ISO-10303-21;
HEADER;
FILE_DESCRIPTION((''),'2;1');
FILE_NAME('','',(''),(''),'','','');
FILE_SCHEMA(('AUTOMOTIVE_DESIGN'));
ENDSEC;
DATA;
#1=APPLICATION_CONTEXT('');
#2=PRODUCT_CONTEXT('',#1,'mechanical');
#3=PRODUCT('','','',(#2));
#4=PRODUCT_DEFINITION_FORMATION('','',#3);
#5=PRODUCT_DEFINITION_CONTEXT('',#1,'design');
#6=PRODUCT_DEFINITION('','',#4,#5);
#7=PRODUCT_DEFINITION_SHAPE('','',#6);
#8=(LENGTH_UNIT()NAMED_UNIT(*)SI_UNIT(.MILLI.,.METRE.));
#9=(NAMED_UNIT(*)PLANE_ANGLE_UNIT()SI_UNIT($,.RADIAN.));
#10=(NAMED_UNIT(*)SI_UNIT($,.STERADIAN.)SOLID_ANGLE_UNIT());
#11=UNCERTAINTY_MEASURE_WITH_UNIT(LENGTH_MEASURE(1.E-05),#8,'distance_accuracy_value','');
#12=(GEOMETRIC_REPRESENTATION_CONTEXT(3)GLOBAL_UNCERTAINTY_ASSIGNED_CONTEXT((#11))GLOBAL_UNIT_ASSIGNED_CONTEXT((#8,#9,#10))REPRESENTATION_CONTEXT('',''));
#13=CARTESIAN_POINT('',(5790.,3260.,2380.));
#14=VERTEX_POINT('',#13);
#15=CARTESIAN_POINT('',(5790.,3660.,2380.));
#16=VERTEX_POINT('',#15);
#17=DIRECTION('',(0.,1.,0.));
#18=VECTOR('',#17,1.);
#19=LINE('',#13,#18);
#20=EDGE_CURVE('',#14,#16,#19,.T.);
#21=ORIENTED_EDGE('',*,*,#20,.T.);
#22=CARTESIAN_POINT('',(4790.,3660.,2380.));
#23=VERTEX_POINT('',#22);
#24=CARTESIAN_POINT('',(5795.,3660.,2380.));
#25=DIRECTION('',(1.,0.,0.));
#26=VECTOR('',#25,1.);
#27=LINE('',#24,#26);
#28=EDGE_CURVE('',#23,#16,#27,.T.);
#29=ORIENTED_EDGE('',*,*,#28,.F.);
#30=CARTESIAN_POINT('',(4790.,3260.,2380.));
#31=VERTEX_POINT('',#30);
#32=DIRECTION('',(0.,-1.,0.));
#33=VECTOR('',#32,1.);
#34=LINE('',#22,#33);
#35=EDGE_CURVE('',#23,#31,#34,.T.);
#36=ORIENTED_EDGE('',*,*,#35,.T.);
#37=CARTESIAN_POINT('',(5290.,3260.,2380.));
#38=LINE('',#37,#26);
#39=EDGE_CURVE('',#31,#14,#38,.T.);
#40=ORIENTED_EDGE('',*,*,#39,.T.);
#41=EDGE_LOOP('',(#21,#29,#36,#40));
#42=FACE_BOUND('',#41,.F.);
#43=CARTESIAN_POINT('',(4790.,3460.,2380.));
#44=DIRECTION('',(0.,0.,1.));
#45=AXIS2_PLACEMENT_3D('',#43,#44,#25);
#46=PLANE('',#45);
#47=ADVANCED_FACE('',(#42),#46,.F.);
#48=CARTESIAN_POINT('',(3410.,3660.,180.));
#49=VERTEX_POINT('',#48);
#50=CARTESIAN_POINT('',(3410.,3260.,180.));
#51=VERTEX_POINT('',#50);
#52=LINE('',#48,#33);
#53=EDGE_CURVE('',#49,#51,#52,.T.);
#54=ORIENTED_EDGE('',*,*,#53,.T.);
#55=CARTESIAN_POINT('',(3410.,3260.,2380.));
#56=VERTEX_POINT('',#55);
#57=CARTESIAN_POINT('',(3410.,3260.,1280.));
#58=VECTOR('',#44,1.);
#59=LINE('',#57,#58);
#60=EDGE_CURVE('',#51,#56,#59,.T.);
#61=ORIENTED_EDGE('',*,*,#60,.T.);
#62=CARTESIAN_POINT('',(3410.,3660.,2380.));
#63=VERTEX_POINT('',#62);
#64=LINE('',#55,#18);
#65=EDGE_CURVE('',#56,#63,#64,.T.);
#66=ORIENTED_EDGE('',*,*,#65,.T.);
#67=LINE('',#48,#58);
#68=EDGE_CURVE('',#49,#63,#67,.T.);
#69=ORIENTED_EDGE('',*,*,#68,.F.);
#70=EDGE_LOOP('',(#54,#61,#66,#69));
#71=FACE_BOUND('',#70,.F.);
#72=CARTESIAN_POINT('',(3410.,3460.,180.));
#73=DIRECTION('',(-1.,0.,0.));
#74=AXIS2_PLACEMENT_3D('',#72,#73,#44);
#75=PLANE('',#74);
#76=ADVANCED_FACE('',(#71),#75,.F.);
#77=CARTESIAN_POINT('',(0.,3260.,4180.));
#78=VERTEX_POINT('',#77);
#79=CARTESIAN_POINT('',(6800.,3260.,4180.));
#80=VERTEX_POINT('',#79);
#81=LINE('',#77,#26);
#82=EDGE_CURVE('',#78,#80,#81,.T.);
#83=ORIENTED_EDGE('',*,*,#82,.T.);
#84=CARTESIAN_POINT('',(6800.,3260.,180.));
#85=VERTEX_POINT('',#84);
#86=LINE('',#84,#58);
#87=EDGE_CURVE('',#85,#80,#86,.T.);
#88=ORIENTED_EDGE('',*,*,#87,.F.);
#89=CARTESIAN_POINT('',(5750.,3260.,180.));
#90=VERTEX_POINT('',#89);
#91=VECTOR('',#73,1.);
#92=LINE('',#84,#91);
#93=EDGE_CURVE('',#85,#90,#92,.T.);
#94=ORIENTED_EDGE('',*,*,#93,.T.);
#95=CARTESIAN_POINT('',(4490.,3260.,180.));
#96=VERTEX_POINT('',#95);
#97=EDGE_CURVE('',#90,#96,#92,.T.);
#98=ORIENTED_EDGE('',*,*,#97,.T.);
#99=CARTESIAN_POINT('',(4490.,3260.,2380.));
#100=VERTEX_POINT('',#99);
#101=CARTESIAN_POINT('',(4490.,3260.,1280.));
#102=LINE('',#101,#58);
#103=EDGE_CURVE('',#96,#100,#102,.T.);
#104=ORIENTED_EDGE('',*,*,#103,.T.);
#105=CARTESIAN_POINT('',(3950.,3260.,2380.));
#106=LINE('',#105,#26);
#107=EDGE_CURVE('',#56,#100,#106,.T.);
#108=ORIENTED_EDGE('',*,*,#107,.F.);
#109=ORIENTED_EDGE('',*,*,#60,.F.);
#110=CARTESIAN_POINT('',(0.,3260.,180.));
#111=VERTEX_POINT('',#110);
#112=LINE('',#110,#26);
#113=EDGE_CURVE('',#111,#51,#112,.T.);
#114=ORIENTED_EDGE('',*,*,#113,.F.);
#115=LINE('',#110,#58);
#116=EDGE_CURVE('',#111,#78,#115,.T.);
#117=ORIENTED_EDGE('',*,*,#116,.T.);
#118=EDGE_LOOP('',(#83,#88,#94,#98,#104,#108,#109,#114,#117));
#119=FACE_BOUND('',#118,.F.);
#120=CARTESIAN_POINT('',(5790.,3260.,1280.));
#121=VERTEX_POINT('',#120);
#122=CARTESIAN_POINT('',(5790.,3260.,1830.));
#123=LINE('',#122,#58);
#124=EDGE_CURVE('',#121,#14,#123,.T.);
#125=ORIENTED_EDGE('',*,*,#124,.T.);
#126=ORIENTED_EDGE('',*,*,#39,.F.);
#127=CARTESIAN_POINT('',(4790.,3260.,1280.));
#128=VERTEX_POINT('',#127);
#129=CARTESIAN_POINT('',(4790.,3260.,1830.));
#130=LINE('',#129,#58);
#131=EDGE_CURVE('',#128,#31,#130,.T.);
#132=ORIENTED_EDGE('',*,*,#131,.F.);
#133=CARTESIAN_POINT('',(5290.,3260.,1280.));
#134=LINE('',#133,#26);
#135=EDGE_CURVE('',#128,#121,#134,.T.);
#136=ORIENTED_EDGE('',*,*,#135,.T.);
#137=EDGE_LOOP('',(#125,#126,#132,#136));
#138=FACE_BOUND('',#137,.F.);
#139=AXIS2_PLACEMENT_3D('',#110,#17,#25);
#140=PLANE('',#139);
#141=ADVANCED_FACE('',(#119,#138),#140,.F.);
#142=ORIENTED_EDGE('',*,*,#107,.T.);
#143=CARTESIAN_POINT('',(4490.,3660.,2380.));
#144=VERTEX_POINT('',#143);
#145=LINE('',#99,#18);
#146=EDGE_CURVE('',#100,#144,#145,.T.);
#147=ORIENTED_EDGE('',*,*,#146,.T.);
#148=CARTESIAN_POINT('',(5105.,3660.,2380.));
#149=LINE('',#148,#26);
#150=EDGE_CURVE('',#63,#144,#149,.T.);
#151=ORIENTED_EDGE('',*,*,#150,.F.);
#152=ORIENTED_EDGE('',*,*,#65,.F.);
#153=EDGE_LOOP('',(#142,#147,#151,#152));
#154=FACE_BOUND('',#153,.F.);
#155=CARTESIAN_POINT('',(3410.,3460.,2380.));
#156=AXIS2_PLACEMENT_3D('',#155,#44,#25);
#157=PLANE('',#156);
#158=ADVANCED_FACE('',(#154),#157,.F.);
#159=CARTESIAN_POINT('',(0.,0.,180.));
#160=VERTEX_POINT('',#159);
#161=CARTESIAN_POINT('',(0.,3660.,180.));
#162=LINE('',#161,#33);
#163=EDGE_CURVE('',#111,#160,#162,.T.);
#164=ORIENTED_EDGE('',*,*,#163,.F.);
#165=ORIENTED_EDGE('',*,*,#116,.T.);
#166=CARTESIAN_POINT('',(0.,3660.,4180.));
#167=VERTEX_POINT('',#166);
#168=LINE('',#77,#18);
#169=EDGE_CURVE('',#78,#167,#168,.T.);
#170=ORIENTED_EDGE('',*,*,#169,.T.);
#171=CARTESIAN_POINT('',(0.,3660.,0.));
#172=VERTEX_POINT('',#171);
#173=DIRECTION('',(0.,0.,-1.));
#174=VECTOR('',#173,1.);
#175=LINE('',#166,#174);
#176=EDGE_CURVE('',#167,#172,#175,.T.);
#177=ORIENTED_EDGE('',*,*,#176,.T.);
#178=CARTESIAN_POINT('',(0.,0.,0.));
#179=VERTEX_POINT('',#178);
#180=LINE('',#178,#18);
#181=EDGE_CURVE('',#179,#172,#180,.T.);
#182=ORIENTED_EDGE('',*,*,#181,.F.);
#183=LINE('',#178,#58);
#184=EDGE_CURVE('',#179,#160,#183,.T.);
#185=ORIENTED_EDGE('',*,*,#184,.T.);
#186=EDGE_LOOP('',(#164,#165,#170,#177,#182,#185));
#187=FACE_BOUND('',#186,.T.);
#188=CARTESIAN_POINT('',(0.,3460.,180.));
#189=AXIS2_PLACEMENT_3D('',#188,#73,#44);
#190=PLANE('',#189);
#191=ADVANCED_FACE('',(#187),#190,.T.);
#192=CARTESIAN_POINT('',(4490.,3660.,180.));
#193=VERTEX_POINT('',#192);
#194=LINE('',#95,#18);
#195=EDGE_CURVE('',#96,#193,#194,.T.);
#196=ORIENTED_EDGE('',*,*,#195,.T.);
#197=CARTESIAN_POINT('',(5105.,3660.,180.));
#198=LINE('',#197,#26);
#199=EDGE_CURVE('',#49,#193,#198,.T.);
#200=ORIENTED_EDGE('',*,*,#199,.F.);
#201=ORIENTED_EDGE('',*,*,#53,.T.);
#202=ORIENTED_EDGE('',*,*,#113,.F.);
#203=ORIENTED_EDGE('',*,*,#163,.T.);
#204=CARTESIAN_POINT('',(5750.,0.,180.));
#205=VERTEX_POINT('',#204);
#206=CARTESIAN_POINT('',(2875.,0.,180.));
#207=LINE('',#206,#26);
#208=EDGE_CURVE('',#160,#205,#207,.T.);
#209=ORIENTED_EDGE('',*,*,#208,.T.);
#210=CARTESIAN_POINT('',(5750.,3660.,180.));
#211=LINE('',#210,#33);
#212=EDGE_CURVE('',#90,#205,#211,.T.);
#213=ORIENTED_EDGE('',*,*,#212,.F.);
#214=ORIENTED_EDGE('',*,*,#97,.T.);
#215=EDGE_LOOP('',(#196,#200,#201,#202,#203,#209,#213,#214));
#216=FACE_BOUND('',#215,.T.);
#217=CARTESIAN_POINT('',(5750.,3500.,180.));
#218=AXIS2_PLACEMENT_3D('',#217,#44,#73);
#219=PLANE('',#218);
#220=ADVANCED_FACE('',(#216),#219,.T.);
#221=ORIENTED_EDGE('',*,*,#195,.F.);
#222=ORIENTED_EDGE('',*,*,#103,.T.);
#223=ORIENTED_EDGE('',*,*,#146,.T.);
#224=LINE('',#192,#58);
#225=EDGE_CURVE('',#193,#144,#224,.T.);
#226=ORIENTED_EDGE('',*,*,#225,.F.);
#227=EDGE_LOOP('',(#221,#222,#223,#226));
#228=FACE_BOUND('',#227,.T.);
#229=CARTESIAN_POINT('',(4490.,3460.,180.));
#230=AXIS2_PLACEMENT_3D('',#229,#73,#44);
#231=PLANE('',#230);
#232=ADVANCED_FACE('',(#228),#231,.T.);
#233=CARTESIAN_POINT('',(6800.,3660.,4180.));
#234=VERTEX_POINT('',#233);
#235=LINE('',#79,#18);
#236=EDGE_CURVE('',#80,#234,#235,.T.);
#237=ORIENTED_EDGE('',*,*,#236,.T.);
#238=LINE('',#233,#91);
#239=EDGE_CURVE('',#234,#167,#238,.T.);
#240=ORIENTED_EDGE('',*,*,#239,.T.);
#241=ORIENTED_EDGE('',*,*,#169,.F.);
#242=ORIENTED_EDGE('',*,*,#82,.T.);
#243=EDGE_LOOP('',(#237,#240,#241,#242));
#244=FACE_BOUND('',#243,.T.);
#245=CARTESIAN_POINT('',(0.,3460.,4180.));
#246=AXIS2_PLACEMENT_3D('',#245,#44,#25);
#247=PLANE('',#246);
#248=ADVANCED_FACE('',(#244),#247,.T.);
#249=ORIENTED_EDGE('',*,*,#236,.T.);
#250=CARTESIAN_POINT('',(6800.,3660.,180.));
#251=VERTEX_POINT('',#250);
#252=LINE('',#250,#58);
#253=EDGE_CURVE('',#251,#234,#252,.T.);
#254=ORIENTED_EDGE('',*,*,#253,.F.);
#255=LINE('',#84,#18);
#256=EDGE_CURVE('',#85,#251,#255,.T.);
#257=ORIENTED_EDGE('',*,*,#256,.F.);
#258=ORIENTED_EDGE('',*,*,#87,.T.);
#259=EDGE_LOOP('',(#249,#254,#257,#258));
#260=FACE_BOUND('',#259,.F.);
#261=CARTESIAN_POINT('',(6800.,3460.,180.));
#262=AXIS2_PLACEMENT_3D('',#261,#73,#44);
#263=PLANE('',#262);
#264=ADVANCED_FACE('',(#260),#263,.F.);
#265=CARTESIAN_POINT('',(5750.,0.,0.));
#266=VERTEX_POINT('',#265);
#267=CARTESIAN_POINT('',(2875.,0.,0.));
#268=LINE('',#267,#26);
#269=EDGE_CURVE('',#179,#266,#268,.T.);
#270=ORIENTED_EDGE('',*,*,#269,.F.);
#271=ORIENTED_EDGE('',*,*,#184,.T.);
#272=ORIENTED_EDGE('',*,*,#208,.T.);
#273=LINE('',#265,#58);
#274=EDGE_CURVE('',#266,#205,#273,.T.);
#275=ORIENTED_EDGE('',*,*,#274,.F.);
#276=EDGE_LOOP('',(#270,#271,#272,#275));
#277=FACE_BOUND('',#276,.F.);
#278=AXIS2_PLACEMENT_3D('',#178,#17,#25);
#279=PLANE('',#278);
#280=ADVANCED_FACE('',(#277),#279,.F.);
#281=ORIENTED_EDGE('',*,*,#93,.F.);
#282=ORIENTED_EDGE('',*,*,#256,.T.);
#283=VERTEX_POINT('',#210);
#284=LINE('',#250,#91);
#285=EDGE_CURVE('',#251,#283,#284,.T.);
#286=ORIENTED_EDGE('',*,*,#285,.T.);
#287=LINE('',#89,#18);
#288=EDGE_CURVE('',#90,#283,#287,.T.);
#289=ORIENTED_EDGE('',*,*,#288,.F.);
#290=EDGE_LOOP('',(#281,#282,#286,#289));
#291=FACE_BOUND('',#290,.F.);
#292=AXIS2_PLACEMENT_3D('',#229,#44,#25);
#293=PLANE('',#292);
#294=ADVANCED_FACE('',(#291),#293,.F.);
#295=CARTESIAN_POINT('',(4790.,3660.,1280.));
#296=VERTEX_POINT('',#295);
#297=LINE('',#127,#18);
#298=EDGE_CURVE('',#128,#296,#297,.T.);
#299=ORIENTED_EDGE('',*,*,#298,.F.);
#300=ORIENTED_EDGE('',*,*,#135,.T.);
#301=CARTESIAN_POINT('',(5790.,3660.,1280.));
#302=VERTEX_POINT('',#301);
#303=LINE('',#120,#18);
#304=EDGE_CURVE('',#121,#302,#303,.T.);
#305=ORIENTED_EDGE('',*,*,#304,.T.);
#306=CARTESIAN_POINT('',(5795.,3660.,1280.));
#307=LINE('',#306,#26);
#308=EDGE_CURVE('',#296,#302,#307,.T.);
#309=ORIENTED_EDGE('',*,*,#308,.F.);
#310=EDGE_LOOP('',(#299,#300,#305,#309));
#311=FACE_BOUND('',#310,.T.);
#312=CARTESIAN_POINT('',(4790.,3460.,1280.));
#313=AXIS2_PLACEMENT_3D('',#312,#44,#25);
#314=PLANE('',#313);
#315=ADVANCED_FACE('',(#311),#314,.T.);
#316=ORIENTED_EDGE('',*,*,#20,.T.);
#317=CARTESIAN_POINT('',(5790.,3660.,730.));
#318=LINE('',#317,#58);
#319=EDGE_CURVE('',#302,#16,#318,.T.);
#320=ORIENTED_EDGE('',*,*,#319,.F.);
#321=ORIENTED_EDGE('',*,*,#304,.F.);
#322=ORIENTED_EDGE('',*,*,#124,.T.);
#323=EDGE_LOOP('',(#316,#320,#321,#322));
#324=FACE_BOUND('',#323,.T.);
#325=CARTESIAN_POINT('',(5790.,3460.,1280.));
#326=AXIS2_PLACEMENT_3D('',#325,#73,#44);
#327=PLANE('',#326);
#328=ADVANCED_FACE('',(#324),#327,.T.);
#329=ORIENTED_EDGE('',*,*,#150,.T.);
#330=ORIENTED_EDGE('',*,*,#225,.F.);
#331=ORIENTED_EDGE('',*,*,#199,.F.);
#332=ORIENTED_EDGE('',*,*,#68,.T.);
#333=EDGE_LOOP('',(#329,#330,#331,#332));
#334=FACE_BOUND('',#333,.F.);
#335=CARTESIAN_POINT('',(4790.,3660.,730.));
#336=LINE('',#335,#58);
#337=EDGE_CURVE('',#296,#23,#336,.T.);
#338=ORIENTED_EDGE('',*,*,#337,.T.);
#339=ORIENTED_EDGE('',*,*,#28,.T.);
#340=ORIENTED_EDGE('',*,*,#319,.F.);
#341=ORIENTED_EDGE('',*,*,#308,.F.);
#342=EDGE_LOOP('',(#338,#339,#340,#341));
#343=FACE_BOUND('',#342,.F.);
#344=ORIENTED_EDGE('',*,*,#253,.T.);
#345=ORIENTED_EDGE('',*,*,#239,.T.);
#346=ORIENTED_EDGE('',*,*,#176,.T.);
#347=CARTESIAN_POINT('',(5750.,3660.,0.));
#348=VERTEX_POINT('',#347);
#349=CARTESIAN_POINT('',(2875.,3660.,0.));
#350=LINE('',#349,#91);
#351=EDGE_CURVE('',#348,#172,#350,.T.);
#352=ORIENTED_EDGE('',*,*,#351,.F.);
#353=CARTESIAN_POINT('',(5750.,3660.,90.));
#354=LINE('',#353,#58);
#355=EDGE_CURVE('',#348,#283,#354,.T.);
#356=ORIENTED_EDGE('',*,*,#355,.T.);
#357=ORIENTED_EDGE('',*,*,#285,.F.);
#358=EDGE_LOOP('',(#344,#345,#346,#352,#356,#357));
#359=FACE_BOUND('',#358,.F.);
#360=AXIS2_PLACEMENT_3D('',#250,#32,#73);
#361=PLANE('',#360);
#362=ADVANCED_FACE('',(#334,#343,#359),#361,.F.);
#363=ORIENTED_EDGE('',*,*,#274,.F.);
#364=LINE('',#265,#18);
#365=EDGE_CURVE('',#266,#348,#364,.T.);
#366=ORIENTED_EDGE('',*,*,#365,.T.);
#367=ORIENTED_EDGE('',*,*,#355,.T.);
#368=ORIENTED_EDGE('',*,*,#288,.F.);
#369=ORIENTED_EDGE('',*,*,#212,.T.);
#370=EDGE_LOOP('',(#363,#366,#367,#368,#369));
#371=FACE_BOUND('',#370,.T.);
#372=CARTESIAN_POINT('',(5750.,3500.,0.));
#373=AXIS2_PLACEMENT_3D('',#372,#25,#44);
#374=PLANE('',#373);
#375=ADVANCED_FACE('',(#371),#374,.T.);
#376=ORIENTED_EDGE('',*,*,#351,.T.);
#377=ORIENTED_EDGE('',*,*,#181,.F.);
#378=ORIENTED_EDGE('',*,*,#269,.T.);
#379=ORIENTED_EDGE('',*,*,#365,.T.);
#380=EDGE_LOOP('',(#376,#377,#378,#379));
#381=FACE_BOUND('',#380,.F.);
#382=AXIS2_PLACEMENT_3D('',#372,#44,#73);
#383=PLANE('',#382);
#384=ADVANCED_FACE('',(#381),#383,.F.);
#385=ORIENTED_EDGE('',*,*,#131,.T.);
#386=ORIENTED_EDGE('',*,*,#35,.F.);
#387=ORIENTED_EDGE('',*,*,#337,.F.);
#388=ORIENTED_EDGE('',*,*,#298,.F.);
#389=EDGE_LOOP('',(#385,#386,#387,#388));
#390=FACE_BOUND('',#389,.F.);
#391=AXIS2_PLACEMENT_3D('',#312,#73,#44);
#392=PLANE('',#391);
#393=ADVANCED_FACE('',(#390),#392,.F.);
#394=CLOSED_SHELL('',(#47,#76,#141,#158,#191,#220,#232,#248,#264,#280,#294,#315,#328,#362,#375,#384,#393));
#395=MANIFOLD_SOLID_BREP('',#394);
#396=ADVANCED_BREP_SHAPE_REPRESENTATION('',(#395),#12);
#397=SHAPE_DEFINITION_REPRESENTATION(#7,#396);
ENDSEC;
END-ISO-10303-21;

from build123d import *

# Parameters (mm, degrees)
F0_W     = 5750
F0_H     = 3500
F1_DEPTH = 180
F2_W     = 5750
F2_H     = 180
F3_DEPTH = 160
F4_W     = 5750
F4_H     = 200
F4_W_2   = 1050
F5_DEPTH = 4000
F6_W     = 1080
F6_H     = 2200
F6_W_2   = 1000
F6_H_2   = 1100
F7_DEPTH = 200.001
F8_DEPTH = 200


with BuildPart() as f1:
    # F0 (on Top) → F1 (new body)
    with BuildSketch(Plane.XY):
        with Locations((2875, 1750)):
            Rectangle(F0_W, F0_H)
    extrude(amount=F1_DEPTH)

    # F2 (on face) → F3 (join)
    with BuildSketch(Plane(origin=(0, 3500, 0), x_dir=(-1, 0, 0), z_dir=(0, 1, 0))):
        with Locations((-2875, 90)):
            Rectangle(F2_W, F2_H)
    extrude(amount=F3_DEPTH)

    # F4 (on face) → F5 (join)
    with BuildSketch(Plane.XY.offset(180)):
        with Locations((2875, 3560)):
            Rectangle(F4_W, F4_H)
        with Locations((6275, 3560)):
            Rectangle(F4_W_2, F4_H)
    extrude(amount=F5_DEPTH)

    # F6 (on face) → F7 (cut, through all)
    with BuildSketch(Plane.XZ.offset(-3460)):
        with Locations((3950, 1280)):
            Rectangle(F6_W, F6_H)
        with Locations((5290, 1830)):
            Rectangle(F6_W_2, F6_H_2)
    extrude(amount=-F7_DEPTH, mode=Mode.SUBTRACT)

    # F8 (add): a face of the model
    f8_faces = [f1.faces().sort_by_distance(p)[0] for p in [
        (3257.2837632777, 3460, 2286.3648625864),
    ]]
    extrude(f8_faces, amount=F8_DEPTH)


solid = f1.part
